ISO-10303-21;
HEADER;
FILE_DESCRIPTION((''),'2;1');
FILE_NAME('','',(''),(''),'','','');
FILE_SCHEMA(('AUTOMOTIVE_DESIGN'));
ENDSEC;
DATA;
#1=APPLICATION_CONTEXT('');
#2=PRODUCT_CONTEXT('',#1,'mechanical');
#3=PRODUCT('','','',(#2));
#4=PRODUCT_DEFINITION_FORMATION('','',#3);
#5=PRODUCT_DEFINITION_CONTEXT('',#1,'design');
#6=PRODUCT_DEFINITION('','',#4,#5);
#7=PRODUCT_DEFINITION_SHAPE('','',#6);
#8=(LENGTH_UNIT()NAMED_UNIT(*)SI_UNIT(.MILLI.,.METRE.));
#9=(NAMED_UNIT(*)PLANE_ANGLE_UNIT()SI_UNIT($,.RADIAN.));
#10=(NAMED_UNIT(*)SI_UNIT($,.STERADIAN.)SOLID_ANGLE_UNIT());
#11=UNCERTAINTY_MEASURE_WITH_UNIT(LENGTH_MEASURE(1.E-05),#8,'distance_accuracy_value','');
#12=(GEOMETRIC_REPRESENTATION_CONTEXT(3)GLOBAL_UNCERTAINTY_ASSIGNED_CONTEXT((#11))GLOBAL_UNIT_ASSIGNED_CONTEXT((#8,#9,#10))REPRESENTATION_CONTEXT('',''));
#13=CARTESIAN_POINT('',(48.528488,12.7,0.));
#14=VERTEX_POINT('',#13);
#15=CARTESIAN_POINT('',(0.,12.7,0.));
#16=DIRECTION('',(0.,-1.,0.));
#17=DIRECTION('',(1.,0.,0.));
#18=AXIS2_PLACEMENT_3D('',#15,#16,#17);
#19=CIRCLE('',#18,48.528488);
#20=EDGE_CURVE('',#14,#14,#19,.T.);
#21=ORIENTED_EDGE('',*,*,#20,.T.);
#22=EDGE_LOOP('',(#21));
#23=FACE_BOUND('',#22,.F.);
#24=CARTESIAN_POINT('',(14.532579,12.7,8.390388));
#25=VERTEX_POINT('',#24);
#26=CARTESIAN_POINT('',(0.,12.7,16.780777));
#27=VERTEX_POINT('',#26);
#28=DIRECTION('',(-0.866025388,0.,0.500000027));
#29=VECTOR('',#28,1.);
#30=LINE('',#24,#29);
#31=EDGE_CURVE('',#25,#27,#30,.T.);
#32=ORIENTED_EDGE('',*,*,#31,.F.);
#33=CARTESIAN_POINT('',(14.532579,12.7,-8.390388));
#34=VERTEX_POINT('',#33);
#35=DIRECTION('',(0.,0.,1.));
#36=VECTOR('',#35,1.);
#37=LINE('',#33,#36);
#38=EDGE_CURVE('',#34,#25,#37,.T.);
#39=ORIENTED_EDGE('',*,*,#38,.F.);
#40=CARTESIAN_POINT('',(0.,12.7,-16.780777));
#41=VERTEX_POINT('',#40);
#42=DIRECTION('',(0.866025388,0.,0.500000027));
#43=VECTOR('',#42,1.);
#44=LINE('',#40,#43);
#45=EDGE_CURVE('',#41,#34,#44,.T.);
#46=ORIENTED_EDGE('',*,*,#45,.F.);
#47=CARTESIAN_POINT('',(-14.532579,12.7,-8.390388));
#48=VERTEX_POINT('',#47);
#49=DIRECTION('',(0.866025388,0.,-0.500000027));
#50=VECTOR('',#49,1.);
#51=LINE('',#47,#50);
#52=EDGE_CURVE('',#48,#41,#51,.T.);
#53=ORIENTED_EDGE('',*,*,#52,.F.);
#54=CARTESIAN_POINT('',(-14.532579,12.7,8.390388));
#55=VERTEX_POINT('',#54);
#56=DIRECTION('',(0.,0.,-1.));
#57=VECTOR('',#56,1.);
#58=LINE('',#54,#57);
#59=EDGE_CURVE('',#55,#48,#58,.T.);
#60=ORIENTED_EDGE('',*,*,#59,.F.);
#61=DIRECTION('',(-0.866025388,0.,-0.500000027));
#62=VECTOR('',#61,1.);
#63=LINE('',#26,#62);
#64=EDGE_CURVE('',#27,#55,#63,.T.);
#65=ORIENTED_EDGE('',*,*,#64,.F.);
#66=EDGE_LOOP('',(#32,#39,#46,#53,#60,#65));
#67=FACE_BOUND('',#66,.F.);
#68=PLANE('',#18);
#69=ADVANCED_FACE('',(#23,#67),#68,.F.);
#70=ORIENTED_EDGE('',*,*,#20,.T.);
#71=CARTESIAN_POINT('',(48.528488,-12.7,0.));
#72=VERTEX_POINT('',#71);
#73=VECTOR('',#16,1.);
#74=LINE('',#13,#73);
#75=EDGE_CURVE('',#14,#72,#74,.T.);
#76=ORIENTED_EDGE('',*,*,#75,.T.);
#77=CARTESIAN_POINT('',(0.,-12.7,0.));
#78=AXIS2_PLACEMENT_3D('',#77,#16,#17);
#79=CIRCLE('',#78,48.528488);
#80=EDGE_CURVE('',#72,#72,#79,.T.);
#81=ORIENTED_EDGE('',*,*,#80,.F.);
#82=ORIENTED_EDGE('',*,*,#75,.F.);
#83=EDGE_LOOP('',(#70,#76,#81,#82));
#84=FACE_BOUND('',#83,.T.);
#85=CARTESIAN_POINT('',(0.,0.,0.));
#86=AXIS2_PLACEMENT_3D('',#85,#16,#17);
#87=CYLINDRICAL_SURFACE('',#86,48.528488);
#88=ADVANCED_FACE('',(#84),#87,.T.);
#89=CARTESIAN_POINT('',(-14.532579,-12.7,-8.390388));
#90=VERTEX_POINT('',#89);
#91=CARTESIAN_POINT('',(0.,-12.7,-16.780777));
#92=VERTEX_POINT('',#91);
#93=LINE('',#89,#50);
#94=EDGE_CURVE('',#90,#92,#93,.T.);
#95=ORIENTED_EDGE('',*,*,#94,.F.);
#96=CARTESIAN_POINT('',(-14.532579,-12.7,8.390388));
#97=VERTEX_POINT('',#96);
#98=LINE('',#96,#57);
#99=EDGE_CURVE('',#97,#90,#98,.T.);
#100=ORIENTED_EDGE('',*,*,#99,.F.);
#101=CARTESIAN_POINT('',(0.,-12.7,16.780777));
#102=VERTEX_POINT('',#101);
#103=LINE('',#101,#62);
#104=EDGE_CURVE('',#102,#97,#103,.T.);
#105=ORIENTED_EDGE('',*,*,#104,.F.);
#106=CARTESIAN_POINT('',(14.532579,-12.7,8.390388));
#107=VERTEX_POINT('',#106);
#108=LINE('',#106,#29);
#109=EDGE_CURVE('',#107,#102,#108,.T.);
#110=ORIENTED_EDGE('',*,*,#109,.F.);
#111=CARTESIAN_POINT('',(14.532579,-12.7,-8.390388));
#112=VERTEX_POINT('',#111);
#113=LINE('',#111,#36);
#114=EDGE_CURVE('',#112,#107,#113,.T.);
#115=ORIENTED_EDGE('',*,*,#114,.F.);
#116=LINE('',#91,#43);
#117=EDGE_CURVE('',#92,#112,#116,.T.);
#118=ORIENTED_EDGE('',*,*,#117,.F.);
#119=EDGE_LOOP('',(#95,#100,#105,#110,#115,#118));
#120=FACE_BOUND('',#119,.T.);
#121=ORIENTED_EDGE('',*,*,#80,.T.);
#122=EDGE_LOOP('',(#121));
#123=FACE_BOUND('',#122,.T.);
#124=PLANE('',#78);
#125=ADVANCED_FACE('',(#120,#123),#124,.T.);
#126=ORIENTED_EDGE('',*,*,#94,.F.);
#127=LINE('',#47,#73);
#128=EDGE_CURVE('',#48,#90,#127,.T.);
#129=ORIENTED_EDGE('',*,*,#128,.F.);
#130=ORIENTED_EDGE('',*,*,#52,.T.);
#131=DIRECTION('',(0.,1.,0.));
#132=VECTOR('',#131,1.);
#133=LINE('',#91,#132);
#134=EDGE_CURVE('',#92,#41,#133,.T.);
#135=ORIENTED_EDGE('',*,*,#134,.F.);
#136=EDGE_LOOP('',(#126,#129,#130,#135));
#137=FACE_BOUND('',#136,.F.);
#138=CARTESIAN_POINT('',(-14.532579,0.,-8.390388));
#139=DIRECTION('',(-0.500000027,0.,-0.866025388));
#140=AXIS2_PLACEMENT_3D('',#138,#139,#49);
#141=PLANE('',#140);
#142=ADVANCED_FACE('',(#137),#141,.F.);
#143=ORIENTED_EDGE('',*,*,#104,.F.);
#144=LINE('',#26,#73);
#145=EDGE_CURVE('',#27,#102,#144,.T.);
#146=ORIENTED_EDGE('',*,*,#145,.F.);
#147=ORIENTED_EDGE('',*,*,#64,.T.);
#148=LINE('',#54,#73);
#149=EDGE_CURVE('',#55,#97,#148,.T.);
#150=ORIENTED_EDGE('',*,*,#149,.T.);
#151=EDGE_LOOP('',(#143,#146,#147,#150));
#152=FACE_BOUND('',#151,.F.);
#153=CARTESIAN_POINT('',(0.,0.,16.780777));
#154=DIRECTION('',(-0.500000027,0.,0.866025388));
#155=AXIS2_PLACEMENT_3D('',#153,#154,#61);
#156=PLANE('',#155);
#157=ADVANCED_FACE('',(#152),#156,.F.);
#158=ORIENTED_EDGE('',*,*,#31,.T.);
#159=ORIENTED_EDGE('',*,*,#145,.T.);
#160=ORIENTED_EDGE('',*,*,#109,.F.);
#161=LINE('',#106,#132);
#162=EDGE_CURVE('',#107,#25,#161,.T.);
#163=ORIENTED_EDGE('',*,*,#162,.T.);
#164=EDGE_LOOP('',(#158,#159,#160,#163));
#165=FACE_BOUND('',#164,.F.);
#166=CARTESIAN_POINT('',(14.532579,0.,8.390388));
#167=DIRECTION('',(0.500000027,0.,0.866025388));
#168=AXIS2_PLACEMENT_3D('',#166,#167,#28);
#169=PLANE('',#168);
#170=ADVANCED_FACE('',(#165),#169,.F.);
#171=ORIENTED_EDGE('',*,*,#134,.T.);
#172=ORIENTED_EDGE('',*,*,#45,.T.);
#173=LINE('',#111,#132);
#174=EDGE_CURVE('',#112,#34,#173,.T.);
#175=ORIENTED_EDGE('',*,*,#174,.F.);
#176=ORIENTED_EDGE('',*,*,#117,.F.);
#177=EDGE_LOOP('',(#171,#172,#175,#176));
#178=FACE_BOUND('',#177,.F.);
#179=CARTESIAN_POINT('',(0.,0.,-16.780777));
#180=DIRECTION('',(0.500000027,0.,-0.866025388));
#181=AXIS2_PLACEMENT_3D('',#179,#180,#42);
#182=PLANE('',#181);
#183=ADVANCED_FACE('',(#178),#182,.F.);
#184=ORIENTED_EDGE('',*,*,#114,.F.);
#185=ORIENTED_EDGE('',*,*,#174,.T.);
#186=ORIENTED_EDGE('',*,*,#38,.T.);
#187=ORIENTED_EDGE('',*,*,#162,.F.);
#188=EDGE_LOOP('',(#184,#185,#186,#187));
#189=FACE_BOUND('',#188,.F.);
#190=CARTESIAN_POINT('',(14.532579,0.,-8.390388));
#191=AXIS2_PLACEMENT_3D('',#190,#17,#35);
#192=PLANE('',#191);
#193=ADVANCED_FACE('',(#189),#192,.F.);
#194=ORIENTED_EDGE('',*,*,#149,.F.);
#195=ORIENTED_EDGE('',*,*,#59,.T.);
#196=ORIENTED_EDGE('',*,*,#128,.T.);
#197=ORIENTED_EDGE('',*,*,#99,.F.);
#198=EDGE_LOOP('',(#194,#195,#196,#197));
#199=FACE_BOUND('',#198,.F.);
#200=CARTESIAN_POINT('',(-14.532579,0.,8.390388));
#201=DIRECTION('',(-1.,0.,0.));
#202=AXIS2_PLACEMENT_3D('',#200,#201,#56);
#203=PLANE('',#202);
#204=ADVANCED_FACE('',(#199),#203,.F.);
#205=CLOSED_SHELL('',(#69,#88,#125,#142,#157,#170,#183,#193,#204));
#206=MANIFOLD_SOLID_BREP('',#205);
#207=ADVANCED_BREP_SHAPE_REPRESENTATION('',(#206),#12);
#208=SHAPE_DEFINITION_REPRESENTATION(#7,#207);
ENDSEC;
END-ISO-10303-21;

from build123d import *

# Parameters (mm, degrees)
F0_R     = 48.528488
F1_DEPTH = 12.7
F3_DEPTH = 12.7


with BuildPart() as f1:
    # F0 (on Front) → F1 (new body, symmetric)
    with BuildSketch(Plane.XZ):
        Circle(F0_R)
    extrude(amount=F1_DEPTH, both=True)

    # F2 (on Front) → F3 (cut, symmetric)
    with BuildSketch(Plane.XZ):
        Polygon((14.532579, 8.390388), (0, 16.780777), (-14.532579, 8.390388), (-14.532579, -8.390388), (0, -16.780777), (14.532579, -8.390388), align=None)
    extrude(amount=F3_DEPTH, both=True, mode=Mode.SUBTRACT)


solid = f1.part
